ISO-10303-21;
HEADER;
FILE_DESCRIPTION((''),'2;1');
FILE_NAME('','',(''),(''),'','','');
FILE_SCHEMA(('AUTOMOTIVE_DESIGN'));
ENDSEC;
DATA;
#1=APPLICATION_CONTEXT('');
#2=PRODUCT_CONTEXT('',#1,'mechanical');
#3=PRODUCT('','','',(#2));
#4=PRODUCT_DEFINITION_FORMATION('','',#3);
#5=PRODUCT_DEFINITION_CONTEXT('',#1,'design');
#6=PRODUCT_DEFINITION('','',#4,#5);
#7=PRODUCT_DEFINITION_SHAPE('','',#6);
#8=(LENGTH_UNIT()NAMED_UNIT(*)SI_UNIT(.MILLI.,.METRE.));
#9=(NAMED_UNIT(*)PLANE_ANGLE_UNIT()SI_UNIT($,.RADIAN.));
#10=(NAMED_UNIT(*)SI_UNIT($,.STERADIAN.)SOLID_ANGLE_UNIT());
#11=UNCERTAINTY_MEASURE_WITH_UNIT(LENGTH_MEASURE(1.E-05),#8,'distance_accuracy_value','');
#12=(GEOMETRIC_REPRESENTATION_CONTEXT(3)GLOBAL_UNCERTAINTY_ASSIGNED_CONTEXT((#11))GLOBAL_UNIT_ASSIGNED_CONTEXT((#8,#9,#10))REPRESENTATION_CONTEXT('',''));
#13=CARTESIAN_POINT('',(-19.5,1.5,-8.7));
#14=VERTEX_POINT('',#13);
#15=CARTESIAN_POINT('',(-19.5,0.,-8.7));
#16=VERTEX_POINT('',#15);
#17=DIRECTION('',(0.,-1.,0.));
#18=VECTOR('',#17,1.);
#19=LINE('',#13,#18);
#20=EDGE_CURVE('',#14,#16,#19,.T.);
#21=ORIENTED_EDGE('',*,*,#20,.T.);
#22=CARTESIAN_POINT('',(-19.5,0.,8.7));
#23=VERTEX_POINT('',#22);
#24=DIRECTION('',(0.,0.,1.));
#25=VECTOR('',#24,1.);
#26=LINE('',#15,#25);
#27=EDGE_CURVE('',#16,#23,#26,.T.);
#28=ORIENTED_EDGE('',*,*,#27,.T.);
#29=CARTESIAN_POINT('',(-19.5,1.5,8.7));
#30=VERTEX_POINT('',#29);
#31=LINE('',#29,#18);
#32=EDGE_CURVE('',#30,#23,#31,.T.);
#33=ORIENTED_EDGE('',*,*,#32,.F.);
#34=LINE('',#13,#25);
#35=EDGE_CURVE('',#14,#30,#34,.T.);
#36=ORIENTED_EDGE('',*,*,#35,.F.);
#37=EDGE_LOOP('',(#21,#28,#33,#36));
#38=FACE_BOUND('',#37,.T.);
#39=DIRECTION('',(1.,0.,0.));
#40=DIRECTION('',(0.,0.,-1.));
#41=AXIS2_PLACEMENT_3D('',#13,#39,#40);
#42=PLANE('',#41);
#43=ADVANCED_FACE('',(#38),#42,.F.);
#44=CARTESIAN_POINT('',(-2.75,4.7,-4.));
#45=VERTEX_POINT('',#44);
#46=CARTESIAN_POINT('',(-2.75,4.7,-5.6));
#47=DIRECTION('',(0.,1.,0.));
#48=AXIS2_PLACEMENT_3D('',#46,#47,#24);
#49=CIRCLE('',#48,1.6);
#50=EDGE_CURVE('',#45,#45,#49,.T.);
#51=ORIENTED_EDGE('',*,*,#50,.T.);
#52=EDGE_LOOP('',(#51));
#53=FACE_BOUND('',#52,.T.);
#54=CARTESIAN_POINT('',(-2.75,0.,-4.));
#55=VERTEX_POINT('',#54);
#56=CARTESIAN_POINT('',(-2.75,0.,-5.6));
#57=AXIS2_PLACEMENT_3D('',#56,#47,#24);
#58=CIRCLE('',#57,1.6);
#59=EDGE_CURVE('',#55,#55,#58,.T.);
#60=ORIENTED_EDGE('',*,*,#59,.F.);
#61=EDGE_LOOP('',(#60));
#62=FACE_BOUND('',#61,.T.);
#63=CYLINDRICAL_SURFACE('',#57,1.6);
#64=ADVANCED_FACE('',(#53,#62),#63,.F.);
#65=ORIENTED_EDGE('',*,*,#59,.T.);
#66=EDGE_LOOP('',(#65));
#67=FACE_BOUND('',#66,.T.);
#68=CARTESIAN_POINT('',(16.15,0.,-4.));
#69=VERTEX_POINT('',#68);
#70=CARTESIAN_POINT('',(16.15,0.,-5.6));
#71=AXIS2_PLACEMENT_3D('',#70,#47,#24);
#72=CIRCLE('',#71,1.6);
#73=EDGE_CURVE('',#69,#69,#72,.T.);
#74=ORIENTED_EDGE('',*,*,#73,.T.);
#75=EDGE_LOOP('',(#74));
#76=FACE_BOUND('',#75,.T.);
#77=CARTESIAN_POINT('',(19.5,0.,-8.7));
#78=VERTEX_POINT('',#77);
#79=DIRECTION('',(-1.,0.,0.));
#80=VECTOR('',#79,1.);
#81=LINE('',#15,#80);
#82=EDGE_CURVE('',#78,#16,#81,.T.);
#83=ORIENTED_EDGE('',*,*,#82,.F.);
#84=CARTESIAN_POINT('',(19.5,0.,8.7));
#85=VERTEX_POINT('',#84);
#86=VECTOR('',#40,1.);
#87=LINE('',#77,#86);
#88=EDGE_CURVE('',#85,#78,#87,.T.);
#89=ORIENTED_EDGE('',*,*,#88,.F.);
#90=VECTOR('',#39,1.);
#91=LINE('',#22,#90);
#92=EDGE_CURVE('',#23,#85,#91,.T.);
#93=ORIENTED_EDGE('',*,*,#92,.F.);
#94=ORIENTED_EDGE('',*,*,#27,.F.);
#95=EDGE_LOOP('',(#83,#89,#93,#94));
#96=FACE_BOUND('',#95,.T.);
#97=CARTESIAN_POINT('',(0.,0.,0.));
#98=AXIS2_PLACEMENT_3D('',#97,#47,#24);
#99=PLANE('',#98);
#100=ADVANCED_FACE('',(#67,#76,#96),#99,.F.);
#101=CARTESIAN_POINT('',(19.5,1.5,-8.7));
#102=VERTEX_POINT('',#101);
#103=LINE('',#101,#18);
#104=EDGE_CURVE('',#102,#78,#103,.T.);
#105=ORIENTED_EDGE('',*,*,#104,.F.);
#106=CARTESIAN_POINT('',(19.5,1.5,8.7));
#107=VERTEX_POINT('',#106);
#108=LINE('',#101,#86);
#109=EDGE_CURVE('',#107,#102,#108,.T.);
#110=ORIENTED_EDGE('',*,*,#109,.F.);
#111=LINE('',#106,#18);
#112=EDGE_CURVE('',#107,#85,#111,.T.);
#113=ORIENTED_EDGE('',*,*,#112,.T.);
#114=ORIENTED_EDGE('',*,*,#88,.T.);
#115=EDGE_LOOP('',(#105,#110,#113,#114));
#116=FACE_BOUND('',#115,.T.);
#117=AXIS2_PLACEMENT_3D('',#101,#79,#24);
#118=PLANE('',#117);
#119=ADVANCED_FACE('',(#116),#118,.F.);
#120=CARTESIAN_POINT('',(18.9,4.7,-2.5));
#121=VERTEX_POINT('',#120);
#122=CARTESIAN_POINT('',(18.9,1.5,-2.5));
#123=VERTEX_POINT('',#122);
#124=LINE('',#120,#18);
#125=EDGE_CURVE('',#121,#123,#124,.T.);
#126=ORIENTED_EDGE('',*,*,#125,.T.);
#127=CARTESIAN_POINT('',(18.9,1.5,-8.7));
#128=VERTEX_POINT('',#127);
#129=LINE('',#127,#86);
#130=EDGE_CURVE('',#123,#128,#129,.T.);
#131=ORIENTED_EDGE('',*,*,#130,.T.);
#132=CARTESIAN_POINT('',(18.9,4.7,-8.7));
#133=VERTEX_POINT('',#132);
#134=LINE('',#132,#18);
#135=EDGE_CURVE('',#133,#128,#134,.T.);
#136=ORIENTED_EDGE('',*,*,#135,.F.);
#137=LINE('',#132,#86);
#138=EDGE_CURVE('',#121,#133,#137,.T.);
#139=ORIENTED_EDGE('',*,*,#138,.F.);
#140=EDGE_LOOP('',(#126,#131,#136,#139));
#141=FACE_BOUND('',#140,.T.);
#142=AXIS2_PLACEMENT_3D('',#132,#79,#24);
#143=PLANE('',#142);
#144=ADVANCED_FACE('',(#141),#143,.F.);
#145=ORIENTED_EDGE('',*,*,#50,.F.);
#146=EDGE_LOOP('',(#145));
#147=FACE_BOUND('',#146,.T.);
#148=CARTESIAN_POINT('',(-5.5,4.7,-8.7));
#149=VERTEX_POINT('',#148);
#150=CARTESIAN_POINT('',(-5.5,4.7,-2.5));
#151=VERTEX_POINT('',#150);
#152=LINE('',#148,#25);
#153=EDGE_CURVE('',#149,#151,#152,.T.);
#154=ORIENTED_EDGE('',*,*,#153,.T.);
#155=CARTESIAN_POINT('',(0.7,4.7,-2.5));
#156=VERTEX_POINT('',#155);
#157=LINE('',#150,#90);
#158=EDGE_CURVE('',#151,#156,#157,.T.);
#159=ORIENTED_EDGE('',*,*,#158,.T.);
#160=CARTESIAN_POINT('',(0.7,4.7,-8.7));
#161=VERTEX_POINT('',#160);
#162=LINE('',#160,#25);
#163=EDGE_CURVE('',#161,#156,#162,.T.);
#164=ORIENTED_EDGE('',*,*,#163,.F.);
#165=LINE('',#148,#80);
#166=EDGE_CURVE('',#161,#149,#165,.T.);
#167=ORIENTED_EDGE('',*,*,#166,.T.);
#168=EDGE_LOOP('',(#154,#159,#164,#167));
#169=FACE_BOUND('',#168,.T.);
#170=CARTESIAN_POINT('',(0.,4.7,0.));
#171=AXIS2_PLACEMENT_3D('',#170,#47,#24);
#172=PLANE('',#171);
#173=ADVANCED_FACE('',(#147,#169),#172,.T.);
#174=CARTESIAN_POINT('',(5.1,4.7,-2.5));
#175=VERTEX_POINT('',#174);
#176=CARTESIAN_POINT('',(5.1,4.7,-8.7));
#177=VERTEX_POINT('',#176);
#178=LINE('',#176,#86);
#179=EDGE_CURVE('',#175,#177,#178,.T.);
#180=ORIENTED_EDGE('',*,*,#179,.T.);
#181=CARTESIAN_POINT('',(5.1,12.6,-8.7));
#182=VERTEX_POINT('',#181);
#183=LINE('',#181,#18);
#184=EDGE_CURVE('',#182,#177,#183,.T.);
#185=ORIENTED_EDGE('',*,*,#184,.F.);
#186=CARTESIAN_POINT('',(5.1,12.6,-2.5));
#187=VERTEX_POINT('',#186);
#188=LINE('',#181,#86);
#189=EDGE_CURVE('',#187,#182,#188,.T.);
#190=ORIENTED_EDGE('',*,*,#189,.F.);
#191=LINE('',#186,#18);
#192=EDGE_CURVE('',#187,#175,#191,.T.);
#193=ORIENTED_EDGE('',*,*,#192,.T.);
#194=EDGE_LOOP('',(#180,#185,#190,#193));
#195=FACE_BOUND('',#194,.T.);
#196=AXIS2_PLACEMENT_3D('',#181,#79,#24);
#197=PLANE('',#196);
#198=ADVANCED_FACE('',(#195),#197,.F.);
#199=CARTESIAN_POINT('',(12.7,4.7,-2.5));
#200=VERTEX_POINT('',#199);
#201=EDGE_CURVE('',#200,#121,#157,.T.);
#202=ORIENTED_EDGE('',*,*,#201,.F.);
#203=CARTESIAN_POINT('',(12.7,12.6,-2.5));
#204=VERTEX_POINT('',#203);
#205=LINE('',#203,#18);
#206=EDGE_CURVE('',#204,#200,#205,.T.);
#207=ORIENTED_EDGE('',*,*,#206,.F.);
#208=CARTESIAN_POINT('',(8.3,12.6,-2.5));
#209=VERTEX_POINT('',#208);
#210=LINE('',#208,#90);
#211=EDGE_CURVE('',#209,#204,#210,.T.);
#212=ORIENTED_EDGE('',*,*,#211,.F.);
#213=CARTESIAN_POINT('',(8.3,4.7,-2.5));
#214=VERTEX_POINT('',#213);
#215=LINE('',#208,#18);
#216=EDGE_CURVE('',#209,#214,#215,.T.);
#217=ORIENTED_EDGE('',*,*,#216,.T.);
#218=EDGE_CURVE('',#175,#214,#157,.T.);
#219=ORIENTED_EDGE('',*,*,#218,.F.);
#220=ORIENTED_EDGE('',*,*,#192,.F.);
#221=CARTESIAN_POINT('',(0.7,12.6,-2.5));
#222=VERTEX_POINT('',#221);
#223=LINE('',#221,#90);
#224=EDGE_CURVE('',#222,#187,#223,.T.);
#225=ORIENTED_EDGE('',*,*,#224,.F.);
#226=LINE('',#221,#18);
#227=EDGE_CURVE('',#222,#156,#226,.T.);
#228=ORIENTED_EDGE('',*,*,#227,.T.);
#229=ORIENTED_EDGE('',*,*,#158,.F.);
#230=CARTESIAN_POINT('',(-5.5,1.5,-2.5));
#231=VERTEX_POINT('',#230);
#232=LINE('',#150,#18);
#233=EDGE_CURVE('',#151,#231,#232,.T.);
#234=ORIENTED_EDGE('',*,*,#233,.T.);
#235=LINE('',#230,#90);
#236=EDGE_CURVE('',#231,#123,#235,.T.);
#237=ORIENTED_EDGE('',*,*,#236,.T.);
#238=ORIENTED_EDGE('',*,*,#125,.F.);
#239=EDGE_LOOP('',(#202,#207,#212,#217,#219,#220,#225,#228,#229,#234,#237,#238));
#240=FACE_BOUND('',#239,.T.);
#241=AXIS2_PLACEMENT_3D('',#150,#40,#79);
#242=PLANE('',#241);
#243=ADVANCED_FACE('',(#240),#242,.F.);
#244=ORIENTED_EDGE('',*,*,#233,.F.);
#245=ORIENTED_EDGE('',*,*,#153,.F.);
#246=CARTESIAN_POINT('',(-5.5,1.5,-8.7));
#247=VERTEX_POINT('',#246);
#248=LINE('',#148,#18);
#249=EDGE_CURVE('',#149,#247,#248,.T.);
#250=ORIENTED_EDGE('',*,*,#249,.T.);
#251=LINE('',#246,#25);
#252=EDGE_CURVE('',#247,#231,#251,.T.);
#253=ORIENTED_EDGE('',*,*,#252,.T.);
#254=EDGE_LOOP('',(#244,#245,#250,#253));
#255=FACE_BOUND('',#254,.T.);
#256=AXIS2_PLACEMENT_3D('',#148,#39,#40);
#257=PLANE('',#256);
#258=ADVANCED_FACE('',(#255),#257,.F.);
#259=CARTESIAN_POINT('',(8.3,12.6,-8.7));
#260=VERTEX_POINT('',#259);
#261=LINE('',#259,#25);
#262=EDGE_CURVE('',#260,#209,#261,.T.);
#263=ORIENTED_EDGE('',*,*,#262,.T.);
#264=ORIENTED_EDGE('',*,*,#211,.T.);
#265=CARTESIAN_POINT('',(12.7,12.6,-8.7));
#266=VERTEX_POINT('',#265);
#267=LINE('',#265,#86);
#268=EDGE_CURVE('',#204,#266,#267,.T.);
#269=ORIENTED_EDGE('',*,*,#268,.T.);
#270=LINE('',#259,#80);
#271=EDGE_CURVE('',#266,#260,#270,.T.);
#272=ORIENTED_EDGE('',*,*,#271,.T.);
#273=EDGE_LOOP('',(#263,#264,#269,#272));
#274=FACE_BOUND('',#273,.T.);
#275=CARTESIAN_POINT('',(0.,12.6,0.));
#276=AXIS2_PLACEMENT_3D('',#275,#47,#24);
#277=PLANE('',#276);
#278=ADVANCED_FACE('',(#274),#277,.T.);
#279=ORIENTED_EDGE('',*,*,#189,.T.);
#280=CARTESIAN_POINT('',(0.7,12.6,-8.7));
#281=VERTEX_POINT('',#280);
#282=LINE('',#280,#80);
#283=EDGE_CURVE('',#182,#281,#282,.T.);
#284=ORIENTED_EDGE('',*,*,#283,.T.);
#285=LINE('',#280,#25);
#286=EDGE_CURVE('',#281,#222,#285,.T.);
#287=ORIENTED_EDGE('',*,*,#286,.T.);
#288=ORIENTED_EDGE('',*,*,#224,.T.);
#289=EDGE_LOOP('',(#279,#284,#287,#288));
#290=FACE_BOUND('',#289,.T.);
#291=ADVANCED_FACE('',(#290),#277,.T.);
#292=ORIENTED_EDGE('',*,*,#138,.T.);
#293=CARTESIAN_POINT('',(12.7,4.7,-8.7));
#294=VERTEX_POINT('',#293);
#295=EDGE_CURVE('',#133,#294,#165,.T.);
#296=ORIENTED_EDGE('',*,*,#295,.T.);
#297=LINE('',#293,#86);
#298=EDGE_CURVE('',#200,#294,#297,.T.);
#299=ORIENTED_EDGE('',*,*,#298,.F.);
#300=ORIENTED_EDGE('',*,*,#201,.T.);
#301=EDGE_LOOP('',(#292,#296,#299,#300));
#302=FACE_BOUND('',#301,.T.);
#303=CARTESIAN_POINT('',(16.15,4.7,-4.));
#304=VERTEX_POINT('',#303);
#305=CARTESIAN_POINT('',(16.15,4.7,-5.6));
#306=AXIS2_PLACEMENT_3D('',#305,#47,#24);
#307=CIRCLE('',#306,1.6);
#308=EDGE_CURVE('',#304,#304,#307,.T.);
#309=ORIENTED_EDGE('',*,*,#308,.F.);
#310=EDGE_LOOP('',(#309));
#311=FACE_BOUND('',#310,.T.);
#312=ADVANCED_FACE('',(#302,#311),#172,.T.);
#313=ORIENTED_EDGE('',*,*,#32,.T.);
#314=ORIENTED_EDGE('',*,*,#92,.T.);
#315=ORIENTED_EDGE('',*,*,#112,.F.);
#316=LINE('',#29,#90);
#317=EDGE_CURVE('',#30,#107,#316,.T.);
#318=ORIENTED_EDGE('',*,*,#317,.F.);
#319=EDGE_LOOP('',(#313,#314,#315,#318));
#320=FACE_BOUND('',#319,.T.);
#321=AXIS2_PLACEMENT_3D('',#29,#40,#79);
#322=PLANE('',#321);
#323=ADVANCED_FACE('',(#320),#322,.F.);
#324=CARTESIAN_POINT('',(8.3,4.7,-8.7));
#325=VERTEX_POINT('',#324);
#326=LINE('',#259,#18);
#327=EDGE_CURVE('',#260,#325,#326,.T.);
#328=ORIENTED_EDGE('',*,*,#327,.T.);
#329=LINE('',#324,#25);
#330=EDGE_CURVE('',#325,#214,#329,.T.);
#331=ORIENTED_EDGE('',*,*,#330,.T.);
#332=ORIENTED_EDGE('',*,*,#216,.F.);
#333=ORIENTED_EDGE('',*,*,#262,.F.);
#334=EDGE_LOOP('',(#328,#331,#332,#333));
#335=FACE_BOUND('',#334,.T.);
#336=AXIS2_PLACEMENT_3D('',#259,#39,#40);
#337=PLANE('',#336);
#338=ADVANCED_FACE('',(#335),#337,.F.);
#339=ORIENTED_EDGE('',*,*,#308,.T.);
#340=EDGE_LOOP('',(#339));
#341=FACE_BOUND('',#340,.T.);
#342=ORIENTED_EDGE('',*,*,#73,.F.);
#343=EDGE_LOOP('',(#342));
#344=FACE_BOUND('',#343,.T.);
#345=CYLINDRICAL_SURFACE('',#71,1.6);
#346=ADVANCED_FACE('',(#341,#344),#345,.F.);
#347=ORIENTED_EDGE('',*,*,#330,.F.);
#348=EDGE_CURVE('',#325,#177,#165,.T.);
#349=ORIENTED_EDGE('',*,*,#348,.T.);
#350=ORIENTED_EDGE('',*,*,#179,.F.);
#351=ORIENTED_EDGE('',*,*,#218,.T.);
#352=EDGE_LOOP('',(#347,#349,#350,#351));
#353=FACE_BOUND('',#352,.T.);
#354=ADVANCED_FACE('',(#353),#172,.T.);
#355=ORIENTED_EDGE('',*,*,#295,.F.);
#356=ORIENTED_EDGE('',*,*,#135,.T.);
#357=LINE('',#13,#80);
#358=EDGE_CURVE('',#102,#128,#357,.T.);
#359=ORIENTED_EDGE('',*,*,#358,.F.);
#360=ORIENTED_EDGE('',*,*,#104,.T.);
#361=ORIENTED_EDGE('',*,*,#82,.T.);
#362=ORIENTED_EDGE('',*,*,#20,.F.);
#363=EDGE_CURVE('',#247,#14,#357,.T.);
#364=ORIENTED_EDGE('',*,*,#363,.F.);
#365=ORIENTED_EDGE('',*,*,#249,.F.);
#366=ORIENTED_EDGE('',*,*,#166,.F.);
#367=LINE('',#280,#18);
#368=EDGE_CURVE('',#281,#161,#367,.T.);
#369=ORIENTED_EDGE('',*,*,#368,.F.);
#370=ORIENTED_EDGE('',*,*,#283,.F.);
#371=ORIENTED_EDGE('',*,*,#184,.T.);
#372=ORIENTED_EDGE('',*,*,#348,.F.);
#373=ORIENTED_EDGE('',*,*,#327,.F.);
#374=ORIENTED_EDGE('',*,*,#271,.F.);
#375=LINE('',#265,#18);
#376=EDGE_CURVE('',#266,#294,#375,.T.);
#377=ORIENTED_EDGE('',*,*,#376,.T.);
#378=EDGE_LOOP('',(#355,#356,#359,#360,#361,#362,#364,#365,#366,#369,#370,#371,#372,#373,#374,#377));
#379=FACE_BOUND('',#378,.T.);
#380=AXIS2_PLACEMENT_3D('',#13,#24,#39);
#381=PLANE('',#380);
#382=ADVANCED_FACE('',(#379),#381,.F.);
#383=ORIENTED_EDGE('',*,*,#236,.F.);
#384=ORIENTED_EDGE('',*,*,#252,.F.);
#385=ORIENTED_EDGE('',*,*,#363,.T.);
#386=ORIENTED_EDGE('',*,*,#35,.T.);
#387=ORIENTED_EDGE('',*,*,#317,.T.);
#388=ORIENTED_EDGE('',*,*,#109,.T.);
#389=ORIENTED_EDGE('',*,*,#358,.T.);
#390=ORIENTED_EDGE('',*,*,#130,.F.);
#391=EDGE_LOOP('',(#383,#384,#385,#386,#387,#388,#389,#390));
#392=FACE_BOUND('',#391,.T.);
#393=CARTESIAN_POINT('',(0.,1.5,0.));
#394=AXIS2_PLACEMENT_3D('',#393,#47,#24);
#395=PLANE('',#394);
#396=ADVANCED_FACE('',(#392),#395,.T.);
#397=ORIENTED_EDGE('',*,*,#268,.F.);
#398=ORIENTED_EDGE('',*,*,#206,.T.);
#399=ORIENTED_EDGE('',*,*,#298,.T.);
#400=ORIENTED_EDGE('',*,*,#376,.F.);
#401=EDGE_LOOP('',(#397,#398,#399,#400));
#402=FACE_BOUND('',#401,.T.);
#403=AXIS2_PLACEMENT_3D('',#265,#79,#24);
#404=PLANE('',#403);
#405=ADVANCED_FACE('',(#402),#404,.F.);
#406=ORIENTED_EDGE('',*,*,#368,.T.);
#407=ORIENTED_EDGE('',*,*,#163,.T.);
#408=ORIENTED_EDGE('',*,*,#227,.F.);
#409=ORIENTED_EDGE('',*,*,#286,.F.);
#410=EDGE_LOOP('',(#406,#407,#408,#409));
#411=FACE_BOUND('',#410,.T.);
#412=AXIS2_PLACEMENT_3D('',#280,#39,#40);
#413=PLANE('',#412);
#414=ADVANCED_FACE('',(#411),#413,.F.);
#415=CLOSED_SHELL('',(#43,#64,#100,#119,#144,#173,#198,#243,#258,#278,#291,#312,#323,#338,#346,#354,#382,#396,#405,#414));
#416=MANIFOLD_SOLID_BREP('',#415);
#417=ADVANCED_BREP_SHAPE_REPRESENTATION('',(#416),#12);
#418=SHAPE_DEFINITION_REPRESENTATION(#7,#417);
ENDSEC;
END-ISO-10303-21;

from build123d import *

# Parameters (mm, degrees)
SKETCH1_W           = 39
SKETCH1_H           = 17.4
BOSS_EXTRUDE1_DEPTH = 1.5
SKETCH2_W           = 24.4
SKETCH2_H           = 6.2
BOSS_EXTRUDE2_DEPTH = 3.2
SKETCH3_W           = 4.4
SKETCH3_H           = 6.2
BOSS_EXTRUDE3_DEPTH = 7.9
SKETCH4_R           = 1.6
CUT_EXTRUDE1_DEPTH  = 23.767301114


with BuildPart() as part:
    # Sketch1 → Boss-Extrude1 (new body)
    with BuildSketch(Plane(origin=(0, 0, 0), x_dir=(1, 0, 0), z_dir=(0, 1, 0))):
        Rectangle(SKETCH1_W, SKETCH1_H)
    extrude(amount=BOSS_EXTRUDE1_DEPTH)

    # Sketch2 → Boss-Extrude2 (add)
    with BuildSketch(Plane(origin=(0, 1.5, 0), x_dir=(1, 0, 0), z_dir=(0, 1, 0))):
        with Locations((6.7, 5.6)):
            Rectangle(SKETCH2_W, SKETCH2_H)
    extrude(amount=BOSS_EXTRUDE2_DEPTH)

    # Sketch3 → Boss-Extrude3 (add)
    with BuildSketch(Plane(origin=(0, 4.7, 0), x_dir=(1, 0, 0), z_dir=(0, 1, 0))):
        with Locations((2.9, 5.6)):
            Rectangle(SKETCH3_W, SKETCH3_H)
        with Locations((10.5, 5.6)):
            Rectangle(SKETCH3_W, SKETCH3_H)
    extrude(amount=BOSS_EXTRUDE3_DEPTH)

    # Sketch4 → Cut-Extrude1 (cut, through all)
    with BuildSketch(Plane(origin=(0, 4.7, 0), x_dir=(1, 0, 0), z_dir=(0, 1, 0))):
        with Locations(Location((-2.75, 5.6, 0), (0, 0, 270))):
            Circle(SKETCH4_R)
        with Locations(Location((16.15, 5.6, 0), (0, 0, 270))):
            Circle(SKETCH4_R)
    extrude(amount=-CUT_EXTRUDE1_DEPTH, mode=Mode.SUBTRACT)


solid = part.part
